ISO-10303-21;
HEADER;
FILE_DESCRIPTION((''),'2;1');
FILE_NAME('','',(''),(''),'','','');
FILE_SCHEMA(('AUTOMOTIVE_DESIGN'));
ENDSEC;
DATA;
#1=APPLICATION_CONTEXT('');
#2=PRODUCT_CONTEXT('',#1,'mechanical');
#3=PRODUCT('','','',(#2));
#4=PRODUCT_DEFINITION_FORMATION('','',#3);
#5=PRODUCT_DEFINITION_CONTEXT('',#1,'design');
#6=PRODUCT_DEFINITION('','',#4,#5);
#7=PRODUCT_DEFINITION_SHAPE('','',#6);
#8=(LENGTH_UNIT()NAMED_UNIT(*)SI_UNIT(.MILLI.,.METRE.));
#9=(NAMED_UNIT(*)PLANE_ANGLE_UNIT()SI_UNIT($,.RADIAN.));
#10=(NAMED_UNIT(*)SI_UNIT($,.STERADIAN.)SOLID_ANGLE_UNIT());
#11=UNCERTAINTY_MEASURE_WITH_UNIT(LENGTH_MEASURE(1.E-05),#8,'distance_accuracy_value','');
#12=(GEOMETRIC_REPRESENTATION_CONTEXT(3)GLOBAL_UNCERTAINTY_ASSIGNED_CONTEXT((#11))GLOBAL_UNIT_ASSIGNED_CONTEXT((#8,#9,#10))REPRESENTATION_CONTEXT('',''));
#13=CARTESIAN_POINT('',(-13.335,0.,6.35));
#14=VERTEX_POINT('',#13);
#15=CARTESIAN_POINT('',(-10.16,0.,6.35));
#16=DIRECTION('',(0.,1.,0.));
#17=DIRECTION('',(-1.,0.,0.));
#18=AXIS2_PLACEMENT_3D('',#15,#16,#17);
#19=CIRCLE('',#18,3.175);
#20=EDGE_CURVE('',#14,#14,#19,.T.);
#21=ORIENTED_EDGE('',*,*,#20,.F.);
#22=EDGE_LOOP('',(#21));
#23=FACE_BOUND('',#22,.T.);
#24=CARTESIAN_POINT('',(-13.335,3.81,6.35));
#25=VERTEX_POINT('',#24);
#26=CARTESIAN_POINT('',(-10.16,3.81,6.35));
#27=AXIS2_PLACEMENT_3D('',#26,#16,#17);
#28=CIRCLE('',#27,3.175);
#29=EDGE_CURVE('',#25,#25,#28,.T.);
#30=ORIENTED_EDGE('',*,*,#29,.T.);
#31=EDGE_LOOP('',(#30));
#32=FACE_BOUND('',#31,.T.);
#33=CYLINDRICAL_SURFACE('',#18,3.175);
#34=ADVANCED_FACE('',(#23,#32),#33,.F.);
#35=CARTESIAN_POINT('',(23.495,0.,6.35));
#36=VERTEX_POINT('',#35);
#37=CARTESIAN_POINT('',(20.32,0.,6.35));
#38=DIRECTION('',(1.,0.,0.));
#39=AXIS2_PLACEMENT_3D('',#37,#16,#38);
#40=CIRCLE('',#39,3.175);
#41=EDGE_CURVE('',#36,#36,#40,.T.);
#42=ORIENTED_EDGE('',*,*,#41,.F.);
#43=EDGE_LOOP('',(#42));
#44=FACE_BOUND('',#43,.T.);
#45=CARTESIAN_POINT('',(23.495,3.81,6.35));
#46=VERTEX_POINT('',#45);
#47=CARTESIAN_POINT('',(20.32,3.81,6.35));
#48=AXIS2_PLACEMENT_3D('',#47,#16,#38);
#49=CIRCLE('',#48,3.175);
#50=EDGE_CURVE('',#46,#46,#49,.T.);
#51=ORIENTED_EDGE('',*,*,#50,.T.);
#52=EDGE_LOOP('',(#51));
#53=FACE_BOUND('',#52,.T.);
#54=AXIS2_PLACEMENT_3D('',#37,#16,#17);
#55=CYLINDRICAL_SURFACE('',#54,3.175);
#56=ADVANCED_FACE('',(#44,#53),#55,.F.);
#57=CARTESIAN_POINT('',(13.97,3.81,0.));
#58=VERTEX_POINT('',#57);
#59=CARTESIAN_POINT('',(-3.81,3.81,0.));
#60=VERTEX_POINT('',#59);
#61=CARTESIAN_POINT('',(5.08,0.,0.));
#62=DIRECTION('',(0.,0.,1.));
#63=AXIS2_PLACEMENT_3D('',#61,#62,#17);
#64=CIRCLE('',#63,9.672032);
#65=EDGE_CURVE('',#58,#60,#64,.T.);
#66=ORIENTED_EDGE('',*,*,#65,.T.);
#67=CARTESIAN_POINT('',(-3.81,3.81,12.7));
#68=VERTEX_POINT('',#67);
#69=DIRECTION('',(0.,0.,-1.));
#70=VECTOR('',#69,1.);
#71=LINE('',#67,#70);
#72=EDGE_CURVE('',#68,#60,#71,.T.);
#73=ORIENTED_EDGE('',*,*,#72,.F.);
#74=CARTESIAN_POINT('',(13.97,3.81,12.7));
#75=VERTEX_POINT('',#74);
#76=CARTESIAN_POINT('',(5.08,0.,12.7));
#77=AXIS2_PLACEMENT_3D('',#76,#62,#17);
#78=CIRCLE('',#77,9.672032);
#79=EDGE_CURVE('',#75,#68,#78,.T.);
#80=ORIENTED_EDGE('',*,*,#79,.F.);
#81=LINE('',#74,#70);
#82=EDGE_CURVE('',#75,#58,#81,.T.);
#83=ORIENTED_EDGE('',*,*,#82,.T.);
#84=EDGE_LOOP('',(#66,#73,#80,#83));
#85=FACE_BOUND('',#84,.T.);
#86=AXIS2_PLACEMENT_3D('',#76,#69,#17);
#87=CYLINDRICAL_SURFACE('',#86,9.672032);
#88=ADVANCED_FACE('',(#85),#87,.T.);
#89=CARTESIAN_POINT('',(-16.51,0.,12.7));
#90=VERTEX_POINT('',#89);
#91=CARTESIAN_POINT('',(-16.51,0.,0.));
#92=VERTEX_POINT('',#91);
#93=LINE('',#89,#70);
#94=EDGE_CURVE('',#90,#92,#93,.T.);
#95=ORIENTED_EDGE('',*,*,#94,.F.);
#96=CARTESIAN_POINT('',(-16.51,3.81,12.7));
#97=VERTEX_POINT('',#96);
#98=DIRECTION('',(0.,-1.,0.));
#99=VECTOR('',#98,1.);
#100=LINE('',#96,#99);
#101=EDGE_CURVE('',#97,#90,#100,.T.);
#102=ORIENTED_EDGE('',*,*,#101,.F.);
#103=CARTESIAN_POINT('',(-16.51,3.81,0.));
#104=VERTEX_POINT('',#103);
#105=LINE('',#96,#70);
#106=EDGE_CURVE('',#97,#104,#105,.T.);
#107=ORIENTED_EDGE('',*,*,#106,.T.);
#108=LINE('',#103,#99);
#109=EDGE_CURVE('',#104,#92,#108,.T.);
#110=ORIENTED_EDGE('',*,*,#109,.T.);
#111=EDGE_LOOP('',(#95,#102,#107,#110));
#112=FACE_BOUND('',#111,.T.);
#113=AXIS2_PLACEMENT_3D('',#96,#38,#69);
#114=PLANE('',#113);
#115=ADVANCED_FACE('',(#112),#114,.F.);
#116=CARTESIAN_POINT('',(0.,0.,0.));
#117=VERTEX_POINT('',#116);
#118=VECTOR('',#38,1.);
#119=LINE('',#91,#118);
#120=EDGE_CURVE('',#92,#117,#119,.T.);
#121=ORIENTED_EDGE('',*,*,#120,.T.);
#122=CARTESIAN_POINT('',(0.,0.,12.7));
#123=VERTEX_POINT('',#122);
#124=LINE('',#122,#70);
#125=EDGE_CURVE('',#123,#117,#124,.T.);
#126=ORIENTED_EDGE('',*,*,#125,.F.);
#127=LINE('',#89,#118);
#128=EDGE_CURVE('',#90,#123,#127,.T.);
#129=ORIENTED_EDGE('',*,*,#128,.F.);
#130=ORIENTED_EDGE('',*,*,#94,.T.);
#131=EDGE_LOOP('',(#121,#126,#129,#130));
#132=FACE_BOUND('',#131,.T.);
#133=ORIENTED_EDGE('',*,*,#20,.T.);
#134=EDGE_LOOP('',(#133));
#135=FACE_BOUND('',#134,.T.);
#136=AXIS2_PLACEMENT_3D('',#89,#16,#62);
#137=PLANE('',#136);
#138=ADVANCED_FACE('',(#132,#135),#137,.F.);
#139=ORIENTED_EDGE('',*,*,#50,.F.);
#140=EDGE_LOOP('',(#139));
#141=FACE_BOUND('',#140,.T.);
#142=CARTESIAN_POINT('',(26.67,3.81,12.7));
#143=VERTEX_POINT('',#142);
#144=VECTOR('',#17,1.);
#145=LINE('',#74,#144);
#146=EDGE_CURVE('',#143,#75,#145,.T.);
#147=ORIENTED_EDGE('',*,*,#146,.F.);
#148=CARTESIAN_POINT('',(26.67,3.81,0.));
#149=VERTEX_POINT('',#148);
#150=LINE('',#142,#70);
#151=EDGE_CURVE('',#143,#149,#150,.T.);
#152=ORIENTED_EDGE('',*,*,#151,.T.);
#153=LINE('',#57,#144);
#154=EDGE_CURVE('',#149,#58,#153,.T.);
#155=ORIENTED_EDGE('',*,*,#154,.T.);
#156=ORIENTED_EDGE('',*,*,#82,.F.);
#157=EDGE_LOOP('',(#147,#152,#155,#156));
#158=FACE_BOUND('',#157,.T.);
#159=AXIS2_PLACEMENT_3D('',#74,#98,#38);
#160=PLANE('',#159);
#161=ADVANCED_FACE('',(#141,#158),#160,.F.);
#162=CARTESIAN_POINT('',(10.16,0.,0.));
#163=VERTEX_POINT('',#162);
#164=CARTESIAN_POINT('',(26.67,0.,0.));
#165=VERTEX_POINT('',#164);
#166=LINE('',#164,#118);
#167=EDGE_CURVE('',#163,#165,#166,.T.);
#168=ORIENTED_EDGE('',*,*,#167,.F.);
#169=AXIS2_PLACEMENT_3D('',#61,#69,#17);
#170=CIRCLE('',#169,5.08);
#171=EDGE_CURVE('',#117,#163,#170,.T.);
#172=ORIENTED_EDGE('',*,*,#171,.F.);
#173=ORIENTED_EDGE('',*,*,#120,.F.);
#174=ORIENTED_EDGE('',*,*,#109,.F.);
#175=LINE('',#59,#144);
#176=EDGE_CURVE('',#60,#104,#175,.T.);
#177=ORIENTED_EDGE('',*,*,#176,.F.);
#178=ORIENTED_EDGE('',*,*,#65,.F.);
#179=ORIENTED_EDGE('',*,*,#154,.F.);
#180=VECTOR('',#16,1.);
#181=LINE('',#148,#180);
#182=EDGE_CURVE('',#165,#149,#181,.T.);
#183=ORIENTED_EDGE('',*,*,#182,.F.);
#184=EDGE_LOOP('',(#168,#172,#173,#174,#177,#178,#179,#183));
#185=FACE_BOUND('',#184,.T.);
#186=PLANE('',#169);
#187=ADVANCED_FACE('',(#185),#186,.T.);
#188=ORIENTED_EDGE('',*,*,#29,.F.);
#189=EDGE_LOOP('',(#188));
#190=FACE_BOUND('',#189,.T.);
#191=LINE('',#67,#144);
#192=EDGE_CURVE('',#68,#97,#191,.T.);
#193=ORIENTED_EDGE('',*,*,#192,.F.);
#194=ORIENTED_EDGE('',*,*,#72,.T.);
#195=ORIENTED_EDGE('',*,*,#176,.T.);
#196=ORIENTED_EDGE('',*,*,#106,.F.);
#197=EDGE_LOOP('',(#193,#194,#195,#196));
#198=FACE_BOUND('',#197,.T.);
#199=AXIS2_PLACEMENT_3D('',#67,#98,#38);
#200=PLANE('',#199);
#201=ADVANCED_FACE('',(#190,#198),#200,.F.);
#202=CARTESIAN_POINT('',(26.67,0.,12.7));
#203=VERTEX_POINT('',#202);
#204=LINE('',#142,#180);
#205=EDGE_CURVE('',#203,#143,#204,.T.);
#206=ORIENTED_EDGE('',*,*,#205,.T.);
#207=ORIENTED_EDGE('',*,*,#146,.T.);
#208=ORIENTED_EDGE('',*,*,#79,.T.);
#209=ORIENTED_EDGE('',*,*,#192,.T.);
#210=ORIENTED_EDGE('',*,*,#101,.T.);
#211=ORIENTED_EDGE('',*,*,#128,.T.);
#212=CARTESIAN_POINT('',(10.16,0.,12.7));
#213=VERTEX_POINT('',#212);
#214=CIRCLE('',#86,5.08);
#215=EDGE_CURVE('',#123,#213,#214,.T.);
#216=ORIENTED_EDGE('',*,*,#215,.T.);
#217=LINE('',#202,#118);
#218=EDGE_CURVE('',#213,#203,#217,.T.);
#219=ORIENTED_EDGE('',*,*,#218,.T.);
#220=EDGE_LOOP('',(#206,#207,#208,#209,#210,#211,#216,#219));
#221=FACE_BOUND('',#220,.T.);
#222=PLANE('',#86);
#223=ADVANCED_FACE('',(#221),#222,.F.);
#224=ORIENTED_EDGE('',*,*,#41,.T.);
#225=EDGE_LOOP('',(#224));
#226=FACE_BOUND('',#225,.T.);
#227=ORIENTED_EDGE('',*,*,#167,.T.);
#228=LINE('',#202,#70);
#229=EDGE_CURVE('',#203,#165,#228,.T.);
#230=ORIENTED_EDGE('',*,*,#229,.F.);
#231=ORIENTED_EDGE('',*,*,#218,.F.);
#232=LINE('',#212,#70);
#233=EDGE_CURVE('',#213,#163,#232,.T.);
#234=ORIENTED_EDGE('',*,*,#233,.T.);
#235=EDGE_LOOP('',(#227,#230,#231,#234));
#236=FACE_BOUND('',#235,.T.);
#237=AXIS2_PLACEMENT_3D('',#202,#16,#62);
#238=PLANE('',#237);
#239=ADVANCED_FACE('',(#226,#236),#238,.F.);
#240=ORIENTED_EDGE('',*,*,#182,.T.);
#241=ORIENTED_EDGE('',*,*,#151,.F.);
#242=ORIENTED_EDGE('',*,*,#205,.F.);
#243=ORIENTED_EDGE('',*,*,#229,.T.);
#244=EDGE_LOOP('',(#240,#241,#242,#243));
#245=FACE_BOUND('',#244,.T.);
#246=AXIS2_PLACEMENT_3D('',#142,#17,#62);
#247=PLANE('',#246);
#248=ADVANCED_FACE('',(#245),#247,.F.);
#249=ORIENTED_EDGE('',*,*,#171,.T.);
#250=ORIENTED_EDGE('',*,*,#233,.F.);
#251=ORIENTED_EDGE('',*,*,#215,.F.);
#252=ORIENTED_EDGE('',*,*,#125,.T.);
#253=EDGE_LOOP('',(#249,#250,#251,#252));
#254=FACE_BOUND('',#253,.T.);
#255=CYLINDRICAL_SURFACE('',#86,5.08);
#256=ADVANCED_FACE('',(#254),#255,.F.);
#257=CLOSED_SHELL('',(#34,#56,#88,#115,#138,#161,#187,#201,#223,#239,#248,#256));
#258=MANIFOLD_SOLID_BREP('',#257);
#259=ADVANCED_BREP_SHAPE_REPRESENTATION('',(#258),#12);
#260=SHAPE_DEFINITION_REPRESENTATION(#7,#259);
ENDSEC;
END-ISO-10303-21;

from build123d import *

# Parameters (mm, degrees)
BOSS_EXTRUDE1_DEPTH = 12.7
SKETCH2_R           = 3.175
CUT_EXTRUDE1_DEPTH  = 31.115483017


with BuildPart() as part:
    # Sketch1 → Boss-Extrude1 (new body)
    with BuildSketch(Plane.XY):
        with BuildLine():
            Line((-3.81, 3.81), (-16.51, 3.81))
            Line((-16.51, 3.81), (-16.51, 0))
            Line((-16.51, 0), (0, 0))
            ThreePointArc((0, 0), (5.08, 5.08), (10.16, 0))
            Line((10.16, 0), (26.67, 0))
            Line((26.67, 0), (26.67, 3.81))
            Line((26.67, 3.81), (13.97, 3.81))
            ThreePointArc((13.97, 3.81), (5.08, 9.672031844), (-3.81, 3.81))
        make_face()
    extrude(amount=BOSS_EXTRUDE1_DEPTH)

    # Sketch2 → Cut-Extrude1 (cut, through all)
    with BuildSketch(Plane(origin=(0, 3.81, 0), x_dir=(1, 0, 0), z_dir=(0, 1, 0))):
        with Locations(Location((-10.16, -6.35, 0), (0, 0, 180))):
            Circle(SKETCH2_R)
        with Locations((20.32, -6.35)):
            Circle(SKETCH2_R)
    extrude(amount=-CUT_EXTRUDE1_DEPTH, mode=Mode.SUBTRACT)


solid = part.part
